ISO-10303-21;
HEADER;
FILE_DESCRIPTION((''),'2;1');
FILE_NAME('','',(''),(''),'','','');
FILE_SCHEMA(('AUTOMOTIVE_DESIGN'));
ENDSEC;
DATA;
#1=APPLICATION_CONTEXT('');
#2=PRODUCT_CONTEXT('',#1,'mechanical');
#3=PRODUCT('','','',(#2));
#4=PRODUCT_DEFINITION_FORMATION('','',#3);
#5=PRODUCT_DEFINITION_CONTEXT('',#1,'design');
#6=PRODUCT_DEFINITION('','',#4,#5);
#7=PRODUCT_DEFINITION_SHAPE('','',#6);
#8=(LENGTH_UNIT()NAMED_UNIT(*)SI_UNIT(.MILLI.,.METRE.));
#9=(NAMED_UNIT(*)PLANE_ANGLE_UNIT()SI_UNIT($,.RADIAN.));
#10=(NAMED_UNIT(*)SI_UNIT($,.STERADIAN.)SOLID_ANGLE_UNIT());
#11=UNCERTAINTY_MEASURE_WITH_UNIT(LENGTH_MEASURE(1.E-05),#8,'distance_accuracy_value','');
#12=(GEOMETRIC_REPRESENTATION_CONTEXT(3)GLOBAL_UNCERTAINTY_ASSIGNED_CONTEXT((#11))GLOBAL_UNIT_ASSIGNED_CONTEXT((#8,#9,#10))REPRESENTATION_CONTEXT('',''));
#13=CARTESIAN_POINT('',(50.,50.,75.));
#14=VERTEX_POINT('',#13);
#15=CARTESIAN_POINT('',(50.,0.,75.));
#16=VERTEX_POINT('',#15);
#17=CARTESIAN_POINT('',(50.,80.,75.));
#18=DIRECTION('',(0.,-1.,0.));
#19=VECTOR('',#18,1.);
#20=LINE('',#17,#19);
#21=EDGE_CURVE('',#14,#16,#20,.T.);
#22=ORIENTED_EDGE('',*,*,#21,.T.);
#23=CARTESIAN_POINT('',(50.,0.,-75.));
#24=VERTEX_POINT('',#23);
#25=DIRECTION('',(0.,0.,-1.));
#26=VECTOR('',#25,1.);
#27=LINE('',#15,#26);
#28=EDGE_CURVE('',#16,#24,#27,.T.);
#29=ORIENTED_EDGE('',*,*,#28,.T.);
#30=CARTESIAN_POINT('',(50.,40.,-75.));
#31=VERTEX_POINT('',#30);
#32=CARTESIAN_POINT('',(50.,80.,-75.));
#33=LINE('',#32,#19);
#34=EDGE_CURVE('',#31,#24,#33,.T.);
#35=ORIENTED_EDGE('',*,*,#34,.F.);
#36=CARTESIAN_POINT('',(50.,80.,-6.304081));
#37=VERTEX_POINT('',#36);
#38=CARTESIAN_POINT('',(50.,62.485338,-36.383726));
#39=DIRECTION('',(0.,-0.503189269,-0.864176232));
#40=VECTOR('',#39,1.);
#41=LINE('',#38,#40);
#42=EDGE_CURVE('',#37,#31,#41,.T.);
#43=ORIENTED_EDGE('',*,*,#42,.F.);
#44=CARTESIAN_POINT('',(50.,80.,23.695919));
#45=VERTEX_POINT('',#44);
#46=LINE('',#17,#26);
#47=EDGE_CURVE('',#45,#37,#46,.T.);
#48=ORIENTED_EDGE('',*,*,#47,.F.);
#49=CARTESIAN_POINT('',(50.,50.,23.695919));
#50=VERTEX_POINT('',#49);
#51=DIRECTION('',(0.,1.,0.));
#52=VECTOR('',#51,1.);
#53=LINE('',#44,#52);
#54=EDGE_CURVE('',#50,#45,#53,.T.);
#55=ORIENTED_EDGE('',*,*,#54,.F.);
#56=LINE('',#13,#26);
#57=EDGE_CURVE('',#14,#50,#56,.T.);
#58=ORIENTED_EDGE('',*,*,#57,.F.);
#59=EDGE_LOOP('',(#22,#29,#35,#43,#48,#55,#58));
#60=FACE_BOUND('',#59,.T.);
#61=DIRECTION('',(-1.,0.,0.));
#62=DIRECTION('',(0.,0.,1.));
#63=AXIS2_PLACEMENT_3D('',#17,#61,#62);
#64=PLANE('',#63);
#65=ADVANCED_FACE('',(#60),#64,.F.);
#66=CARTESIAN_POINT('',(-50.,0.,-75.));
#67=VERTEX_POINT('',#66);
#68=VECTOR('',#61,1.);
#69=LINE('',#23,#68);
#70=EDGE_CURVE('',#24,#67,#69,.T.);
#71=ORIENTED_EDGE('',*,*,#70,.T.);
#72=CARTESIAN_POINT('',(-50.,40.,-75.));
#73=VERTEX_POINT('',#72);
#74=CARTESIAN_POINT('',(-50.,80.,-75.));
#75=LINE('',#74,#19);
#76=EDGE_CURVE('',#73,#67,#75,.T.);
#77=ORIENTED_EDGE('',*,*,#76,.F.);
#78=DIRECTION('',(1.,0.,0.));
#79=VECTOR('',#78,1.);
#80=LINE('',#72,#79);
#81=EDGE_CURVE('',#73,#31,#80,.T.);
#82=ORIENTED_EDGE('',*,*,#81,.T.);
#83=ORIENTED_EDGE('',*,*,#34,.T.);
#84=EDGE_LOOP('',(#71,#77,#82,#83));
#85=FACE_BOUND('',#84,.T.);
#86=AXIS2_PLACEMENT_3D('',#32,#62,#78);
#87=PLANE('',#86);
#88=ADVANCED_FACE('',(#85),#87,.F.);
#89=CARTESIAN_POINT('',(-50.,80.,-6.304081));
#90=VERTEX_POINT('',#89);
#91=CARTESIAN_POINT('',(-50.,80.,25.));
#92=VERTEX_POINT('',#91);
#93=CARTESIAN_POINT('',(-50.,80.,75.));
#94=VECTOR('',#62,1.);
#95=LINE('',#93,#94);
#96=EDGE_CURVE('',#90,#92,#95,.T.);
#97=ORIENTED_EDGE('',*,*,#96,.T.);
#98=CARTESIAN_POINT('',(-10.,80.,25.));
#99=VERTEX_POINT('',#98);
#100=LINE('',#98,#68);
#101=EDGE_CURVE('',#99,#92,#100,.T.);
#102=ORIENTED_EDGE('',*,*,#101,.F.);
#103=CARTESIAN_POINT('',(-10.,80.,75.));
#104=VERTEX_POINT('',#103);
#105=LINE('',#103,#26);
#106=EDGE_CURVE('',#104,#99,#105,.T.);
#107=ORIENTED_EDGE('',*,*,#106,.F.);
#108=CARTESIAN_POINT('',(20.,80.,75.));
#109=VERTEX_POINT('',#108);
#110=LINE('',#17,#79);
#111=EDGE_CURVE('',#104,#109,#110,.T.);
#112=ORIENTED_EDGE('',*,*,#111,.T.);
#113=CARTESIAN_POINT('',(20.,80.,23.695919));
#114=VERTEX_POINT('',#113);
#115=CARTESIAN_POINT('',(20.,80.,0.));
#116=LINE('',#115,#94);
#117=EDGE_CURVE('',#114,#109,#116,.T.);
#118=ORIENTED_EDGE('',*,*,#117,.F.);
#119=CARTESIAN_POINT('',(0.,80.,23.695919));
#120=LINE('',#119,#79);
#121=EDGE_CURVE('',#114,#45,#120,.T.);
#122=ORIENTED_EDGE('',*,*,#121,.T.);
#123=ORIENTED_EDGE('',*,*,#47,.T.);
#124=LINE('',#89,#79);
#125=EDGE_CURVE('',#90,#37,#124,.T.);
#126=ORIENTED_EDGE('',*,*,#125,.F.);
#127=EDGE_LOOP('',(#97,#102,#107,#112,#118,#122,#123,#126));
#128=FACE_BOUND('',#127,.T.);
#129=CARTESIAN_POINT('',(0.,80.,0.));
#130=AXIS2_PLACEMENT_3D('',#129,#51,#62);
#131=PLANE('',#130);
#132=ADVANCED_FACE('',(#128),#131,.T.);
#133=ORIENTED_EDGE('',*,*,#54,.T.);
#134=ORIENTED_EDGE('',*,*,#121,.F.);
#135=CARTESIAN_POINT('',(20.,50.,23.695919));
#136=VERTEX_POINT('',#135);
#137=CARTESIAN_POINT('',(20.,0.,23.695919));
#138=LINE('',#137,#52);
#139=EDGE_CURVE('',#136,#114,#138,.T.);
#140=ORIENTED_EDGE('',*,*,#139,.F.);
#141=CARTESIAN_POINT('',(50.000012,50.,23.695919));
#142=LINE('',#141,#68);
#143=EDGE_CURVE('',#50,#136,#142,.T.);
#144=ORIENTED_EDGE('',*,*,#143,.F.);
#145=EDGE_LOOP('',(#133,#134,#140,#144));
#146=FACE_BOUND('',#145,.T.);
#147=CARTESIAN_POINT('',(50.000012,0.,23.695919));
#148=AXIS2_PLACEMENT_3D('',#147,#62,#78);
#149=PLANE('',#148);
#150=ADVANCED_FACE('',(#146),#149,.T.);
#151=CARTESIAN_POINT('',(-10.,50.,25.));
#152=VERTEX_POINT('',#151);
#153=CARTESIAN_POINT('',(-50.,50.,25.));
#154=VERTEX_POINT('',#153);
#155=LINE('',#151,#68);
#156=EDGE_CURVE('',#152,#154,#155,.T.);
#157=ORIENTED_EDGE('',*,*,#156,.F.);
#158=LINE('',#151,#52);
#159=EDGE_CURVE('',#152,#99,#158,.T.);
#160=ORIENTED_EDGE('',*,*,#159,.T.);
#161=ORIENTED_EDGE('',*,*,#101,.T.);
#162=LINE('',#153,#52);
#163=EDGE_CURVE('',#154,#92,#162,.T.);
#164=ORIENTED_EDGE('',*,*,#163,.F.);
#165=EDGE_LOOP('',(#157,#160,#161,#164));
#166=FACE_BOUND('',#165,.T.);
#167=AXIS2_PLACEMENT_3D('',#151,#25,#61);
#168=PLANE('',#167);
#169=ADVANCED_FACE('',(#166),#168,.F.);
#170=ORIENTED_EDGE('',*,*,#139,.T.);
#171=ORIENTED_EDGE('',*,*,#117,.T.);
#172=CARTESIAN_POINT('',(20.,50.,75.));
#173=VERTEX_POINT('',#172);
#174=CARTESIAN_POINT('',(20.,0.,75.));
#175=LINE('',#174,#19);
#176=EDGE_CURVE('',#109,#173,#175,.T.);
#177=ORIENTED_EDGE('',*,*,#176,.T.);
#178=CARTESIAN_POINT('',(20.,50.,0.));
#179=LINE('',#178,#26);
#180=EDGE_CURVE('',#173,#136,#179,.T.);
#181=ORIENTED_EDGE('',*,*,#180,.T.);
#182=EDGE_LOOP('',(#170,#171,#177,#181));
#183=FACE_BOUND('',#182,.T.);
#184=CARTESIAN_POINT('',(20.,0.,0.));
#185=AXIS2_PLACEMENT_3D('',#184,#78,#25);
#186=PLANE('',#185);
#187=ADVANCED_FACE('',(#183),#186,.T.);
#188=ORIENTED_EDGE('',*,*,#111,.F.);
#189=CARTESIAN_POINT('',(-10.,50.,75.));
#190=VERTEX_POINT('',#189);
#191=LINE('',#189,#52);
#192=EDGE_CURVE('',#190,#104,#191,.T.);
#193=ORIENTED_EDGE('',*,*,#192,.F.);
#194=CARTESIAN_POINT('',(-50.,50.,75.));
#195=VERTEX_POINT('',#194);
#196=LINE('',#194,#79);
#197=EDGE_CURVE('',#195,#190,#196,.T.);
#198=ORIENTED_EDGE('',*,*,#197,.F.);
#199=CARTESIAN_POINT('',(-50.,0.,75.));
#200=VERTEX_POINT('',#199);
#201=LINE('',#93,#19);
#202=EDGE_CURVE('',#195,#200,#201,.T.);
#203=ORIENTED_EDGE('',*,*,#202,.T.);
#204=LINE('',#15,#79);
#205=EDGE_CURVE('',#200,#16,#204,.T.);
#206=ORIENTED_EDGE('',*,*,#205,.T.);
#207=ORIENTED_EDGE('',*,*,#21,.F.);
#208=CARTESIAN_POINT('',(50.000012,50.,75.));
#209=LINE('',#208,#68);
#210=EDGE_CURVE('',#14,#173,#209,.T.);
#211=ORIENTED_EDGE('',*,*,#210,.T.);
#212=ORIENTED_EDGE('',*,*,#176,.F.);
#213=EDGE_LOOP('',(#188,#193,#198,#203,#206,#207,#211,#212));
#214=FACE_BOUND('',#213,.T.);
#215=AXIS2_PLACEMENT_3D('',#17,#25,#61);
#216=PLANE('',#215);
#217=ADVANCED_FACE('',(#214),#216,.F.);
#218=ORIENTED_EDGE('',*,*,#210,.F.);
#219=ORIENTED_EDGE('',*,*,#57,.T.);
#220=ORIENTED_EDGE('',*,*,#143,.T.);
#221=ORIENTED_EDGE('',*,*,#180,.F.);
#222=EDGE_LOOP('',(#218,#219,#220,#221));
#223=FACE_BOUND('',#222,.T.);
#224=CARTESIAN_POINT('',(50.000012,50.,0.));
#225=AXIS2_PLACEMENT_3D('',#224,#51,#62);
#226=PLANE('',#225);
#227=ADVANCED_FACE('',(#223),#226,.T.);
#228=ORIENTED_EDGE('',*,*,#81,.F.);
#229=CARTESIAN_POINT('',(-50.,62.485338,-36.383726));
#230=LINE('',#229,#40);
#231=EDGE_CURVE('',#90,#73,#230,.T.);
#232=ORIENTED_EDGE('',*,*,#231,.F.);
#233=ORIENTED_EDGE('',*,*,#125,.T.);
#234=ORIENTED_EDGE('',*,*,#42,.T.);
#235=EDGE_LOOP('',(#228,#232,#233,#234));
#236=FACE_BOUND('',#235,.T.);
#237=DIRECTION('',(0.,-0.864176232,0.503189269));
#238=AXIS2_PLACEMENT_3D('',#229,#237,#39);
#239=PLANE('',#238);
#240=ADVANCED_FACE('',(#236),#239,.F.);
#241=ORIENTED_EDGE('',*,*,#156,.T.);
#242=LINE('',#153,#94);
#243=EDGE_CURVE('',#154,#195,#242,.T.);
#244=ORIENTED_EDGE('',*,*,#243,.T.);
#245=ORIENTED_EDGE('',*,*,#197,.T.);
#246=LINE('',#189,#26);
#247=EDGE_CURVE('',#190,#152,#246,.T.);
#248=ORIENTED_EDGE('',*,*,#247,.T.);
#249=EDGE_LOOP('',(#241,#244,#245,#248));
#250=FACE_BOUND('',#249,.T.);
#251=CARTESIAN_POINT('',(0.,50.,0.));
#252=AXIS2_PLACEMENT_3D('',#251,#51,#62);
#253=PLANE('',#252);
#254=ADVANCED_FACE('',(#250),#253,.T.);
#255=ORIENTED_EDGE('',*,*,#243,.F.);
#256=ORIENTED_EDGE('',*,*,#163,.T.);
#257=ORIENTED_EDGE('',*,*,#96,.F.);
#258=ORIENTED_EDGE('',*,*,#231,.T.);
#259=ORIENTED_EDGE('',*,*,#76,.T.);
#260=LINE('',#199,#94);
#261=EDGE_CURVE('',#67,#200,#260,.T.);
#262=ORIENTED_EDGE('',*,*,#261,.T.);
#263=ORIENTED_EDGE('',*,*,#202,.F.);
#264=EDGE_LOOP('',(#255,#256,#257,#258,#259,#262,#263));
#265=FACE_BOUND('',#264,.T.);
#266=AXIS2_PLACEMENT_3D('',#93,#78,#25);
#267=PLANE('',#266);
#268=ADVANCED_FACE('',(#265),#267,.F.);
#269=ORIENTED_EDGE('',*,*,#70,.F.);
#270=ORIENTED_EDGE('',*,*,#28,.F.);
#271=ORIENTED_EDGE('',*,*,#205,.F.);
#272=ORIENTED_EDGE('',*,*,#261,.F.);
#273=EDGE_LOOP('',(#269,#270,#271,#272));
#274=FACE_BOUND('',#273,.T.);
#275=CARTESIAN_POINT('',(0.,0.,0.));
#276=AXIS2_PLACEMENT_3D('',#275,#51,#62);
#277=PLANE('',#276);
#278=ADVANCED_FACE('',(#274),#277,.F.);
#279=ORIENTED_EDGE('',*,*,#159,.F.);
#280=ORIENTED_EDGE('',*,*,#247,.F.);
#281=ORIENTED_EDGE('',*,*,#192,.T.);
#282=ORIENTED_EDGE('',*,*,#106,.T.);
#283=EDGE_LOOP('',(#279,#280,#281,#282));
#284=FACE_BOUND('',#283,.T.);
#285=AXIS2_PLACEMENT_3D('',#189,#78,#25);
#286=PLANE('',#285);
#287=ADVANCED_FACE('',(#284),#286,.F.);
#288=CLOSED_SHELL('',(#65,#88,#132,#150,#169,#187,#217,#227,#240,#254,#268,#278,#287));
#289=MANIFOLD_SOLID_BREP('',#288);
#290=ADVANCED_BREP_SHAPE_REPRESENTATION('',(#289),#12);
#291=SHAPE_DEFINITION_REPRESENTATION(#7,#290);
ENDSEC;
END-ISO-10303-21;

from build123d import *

# Parameters (mm, degrees)
SKETCH3_W               = 100
SKETCH3_H               = 150
BOSS_EXTRUDE2_DEPTH     = 80
CUT_EXTRUDE4_DEPTH      = 100
CUT_EXTRUDE5_DEPTH      = 149.408220797
CUT_EXTRUDE5_DEPTH_BACK = 30
SKETCH4_5_W             = 51.304080983
SKETCH4_5_H             = 30
SKETCH6_W               = 40
SKETCH6_H               = 50
CUT_EXTRUDE6_DEPTH      = 30


with BuildPart() as part:
    # Sketch3 → Boss-Extrude2 (new body)
    with BuildSketch(Plane(origin=(0, 0, 0), x_dir=(1, 0, 0), z_dir=(0, 1, 0))):
        Rectangle(SKETCH3_W, SKETCH3_H)
    extrude(amount=BOSS_EXTRUDE2_DEPTH)

    # Sketch4 → Cut-Extrude4 (cut)
    with BuildSketch(Plane(origin=(50, 0, 0), x_dir=(0, 0, -1), z_dir=(1, 0, 0))):
        Polygon((75, 80), (6.304080983, 80), (75, 40), align=None)
    extrude(amount=-CUT_EXTRUDE4_DEPTH, mode=Mode.SUBTRACT)

    # Sketch4<5> → Cut-Extrude5 (cut, two sides: drawn at the far end of the back side and taken through both)
    with BuildSketch(Plane(origin=(50, 0, 0), x_dir=(0, 0, -1), z_dir=(1, 0, 0)).offset(-CUT_EXTRUDE5_DEPTH_BACK)):
        with Locations((-49.347959508, 65)):
            Rectangle(SKETCH4_5_W, SKETCH4_5_H)
    extrude(amount=CUT_EXTRUDE5_DEPTH + CUT_EXTRUDE5_DEPTH_BACK, mode=Mode.SUBTRACT)

    # Sketch6 → Cut-Extrude6 (cut)
    with BuildSketch(Plane(origin=(0, 80, 0), x_dir=(1, 0, 0), z_dir=(0, 1, 0))):
        with Locations((-30, -50)):
            Rectangle(SKETCH6_W, SKETCH6_H)
    extrude(amount=-CUT_EXTRUDE6_DEPTH, mode=Mode.SUBTRACT)


solid = part.part
